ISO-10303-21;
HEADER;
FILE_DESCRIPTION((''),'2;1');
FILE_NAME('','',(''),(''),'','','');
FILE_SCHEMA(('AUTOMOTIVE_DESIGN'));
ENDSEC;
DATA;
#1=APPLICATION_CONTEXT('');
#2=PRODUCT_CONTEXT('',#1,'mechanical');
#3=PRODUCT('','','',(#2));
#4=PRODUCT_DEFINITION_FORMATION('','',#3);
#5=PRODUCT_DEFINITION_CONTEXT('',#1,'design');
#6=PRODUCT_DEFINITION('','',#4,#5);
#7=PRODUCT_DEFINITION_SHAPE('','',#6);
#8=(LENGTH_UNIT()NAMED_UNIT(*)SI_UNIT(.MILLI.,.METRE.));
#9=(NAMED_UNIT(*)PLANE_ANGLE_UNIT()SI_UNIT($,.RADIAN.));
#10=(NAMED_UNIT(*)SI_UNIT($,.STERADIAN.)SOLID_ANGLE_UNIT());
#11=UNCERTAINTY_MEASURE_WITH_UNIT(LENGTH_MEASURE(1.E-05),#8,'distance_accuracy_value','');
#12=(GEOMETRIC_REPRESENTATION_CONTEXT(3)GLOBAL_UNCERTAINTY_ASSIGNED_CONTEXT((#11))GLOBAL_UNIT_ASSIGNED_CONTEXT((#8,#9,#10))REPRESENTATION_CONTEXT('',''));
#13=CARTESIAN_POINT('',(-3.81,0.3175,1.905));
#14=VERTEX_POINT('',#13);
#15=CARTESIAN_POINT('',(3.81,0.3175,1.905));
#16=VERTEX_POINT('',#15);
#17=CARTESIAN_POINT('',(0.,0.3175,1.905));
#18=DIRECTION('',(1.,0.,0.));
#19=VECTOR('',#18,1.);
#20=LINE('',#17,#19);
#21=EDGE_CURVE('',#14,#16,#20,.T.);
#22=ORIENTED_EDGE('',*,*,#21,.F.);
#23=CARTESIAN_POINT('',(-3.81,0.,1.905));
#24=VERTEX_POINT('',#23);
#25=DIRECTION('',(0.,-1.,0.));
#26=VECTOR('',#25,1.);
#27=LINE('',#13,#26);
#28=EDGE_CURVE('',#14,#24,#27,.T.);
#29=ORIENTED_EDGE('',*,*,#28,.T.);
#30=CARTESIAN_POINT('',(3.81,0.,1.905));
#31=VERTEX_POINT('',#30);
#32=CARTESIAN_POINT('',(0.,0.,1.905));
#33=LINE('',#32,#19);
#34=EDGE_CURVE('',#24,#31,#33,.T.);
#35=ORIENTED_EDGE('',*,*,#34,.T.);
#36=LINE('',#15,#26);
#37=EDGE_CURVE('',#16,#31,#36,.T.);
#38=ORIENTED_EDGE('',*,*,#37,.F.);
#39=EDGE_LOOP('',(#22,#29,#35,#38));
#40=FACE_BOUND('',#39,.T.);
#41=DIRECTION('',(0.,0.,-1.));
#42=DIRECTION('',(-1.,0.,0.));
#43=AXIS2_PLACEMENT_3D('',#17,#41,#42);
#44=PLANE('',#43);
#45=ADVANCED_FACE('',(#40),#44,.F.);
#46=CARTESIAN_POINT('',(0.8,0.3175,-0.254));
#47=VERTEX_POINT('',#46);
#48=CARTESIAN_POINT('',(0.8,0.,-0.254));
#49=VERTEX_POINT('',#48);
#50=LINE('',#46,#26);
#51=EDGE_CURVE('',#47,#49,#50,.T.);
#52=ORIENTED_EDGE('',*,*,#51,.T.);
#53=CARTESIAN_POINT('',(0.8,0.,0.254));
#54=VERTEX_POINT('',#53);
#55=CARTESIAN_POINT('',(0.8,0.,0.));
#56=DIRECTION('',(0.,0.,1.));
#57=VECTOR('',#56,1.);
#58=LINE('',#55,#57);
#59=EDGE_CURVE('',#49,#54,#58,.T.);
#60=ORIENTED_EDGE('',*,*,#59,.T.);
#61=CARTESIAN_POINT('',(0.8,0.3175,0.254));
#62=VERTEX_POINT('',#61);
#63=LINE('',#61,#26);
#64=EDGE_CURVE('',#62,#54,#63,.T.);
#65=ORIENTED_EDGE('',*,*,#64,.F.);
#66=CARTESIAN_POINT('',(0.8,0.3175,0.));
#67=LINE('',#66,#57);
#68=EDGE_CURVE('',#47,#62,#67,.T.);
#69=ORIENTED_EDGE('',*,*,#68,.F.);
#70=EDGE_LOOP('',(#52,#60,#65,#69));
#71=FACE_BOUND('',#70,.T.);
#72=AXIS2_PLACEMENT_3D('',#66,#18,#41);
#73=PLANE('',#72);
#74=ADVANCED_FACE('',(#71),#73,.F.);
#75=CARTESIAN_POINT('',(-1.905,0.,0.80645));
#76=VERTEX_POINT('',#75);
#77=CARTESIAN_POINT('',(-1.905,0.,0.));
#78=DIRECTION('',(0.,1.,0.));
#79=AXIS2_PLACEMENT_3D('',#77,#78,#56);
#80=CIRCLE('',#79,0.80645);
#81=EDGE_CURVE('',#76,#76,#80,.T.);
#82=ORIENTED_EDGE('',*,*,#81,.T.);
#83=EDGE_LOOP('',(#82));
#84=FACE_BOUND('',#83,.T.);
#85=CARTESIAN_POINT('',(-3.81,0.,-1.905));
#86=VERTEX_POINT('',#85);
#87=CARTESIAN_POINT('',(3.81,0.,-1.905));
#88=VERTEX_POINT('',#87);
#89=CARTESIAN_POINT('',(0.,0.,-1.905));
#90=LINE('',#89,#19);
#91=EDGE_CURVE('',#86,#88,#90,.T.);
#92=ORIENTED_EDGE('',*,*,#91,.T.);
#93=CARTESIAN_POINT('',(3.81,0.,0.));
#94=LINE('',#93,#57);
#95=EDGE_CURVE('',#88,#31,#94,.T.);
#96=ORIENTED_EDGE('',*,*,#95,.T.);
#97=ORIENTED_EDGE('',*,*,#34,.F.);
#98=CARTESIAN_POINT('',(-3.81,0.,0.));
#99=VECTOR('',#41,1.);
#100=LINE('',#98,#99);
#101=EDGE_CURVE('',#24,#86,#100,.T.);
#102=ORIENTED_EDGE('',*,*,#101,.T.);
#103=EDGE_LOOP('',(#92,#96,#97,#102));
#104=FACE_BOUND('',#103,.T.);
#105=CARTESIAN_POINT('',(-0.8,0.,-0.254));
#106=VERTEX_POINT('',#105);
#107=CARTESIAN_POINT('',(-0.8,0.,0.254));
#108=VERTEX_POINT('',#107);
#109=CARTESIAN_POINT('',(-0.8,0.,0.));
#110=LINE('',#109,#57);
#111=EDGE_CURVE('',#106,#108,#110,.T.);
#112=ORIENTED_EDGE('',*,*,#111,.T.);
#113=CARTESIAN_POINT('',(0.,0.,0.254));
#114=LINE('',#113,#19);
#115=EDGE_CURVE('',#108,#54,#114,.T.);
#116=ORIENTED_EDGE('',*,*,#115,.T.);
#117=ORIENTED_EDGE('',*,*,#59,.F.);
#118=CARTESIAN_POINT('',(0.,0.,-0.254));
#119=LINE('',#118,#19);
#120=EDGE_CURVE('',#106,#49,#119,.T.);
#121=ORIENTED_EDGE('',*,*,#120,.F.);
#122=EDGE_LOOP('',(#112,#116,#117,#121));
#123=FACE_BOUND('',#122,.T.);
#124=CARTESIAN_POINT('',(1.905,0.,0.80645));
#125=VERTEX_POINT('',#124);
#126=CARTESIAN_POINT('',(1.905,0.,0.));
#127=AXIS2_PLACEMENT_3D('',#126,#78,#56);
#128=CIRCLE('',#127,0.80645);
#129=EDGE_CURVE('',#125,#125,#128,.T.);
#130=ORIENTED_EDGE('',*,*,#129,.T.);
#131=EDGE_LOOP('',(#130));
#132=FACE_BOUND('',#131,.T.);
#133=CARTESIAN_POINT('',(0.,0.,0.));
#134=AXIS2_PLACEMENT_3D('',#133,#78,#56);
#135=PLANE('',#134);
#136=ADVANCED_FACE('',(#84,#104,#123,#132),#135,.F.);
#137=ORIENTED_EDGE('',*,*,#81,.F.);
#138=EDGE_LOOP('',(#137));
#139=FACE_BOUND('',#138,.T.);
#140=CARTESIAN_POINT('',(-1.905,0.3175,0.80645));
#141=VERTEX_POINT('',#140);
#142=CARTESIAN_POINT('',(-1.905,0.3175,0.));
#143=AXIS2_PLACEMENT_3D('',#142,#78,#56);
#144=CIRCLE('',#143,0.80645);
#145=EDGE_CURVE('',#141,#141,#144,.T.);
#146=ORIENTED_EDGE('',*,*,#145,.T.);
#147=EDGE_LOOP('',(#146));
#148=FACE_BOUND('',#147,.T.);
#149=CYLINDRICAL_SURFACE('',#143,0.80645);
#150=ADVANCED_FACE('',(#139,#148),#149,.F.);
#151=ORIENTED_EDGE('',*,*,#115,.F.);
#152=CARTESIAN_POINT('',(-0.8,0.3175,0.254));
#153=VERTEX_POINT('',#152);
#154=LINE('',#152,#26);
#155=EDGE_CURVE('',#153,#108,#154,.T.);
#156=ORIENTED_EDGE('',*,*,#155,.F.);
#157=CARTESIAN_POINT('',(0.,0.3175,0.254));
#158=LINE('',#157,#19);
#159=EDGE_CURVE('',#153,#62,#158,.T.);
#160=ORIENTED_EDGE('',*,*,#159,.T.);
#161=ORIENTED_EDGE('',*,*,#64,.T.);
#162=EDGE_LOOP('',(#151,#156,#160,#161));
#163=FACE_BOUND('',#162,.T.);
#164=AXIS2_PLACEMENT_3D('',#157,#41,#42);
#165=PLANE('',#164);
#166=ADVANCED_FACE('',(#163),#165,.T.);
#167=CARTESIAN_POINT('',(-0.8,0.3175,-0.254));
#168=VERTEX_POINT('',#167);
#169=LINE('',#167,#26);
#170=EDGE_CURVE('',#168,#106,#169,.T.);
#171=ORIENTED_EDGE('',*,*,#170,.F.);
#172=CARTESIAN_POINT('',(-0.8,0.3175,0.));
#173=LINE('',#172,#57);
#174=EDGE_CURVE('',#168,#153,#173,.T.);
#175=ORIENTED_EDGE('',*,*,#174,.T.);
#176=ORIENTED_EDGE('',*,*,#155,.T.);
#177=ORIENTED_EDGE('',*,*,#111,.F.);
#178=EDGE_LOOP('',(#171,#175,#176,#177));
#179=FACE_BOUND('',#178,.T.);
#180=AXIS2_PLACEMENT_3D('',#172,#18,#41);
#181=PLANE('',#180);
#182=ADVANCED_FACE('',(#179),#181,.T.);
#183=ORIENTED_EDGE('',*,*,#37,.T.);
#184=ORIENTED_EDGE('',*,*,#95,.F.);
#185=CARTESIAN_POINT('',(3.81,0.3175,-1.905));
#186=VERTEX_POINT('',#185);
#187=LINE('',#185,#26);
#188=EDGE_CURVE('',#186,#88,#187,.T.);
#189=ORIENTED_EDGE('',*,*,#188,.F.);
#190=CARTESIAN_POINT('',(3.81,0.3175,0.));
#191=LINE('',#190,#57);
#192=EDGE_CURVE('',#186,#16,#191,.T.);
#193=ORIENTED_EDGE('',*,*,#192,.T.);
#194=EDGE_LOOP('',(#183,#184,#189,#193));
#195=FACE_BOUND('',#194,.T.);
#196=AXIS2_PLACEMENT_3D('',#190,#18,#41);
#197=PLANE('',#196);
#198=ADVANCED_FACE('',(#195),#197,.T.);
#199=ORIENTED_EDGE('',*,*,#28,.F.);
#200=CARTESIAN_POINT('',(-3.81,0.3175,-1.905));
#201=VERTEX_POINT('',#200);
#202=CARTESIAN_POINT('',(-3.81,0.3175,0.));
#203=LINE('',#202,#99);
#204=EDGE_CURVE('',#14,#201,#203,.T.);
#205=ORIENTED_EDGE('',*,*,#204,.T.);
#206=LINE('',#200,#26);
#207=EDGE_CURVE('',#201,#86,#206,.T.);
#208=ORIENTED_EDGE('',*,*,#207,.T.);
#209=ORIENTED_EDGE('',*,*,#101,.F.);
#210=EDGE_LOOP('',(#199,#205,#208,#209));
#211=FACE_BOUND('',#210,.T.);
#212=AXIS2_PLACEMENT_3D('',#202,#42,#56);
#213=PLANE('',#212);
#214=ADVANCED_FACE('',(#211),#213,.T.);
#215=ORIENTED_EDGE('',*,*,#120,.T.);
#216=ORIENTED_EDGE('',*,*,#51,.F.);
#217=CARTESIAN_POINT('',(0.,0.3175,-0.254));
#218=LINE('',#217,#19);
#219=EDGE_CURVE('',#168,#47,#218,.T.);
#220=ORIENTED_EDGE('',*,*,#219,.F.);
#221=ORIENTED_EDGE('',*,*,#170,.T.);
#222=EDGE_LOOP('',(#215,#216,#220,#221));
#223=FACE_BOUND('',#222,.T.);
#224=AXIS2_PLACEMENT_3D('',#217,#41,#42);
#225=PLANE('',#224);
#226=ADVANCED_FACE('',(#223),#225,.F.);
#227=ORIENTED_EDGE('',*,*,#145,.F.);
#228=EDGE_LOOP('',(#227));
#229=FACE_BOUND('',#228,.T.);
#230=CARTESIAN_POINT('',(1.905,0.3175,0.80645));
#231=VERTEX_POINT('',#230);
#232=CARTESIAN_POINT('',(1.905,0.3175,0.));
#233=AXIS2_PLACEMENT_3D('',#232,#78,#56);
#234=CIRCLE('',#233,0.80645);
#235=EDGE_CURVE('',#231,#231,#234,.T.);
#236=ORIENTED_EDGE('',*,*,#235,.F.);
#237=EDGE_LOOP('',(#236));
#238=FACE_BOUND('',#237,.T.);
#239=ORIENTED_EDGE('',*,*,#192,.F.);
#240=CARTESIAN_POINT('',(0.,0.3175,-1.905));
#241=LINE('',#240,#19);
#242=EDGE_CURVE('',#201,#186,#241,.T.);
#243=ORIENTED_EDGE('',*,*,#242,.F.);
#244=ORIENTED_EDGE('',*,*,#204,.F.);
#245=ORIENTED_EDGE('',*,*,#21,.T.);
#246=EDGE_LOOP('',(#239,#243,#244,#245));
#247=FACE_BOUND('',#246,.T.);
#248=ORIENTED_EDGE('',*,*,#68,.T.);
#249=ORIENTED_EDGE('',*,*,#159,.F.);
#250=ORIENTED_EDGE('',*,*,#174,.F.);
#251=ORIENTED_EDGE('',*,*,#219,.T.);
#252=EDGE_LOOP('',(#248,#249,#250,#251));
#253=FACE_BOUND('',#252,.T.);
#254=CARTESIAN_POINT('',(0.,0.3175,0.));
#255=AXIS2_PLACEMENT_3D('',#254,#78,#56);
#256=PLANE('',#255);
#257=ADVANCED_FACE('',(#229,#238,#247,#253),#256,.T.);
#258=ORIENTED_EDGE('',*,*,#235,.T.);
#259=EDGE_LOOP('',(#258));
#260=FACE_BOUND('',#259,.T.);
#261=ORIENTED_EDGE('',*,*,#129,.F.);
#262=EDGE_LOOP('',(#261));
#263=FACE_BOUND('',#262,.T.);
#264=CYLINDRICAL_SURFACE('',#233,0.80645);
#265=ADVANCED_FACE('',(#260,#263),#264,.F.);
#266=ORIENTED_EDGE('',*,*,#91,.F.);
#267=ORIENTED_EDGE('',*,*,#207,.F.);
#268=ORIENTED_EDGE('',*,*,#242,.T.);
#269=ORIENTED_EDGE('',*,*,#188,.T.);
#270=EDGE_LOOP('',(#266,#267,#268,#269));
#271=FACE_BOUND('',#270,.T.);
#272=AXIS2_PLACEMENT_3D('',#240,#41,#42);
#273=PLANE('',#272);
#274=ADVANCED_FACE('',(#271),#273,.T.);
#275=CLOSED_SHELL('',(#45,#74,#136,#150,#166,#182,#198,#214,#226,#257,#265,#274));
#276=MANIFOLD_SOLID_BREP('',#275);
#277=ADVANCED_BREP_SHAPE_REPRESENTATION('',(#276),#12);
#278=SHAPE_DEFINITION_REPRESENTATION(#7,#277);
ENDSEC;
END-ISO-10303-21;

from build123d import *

# Parameters (mm, degrees)
BOSS_EXTRUDE1_DEPTH       = 0.3175
F_0_CLEARANCE_HOLE1_D     = 1.6129
F_0_CLEARANCE_HOLE1_DEPTH = 6.35
F_0_CLEARANCE_HOLE1_TIP   = 0.676691898


with BuildPart() as part:
    # Sketch1 → Boss-Extrude1 (new body)
    with BuildSketch(Plane(origin=(0, 0, 0), x_dir=(1, 0, 0), z_dir=(0, 1, 0))):
        with BuildLine():
            ThreePointArc((1.736526379, 0), (1.905, 0.168473621), (2.073473621, 0))
            Line((2.073473621, 0), (3.81, 0))
            Line((3.81, 0), (3.81, 1.905))
            Line((3.81, 1.905), (-3.81, 1.905))
            Line((-3.81, 1.905), (-3.81, 0))
            Line((-3.81, 0), (-2.064971223, 0))
            ThreePointArc((-2.064971223, 0), (-1.905, 0.159971223), (-1.745028777, 0))
            Line((-1.745028777, 0), (-0.8, 0))
            Line((-0.8, 0), (-0.8, 0.254))
            Line((-0.8, 0.254), (0.8, 0.254))
            Line((0.8, 0.254), (0.8, 0))
            Line((0.8, 0), (1.736526379, 0))
        make_face()
        with BuildLine():
            Line((3.81, 0), (2.073473621, 0))
            ThreePointArc((2.073473621, 0), (1.905, -0.168473621), (1.736526379, 0))
            Line((1.736526379, 0), (0.8, 0))
            Line((0.8, 0), (0.8, -0.254))
            Line((0.8, -0.254), (-0.8, -0.254))
            Line((-0.8, -0.254), (-0.8, 0))
            Line((-0.8, 0), (-1.745028777, 0))
            ThreePointArc((-1.745028777, 0), (-1.905, -0.159971223), (-2.064971223, 0))
            Line((-2.064971223, 0), (-3.81, 0))
            Line((-3.81, 0), (-3.81, -1.905))
            Line((-3.81, -1.905), (3.81, -1.905))
            Line((3.81, -1.905), (3.81, 0))
        make_face()
    extrude(amount=BOSS_EXTRUDE1_DEPTH)

    # #0 Clearance Hole1
    with Locations(Plane(origin=(-1.905, 0.3175, 0), x_dir=(0, 0, 1), z_dir=(0, 1, 0))):
        with Locations((0, 0), (0, 3.81)):
            Hole(F_0_CLEARANCE_HOLE1_D / 2, depth=F_0_CLEARANCE_HOLE1_DEPTH)
            with Locations((0, 0, -(F_0_CLEARANCE_HOLE1_DEPTH + F_0_CLEARANCE_HOLE1_TIP / 2))):  # 100° drill point
                Cone(0, F_0_CLEARANCE_HOLE1_D / 2, F_0_CLEARANCE_HOLE1_TIP, mode=Mode.SUBTRACT)


solid = part.part
